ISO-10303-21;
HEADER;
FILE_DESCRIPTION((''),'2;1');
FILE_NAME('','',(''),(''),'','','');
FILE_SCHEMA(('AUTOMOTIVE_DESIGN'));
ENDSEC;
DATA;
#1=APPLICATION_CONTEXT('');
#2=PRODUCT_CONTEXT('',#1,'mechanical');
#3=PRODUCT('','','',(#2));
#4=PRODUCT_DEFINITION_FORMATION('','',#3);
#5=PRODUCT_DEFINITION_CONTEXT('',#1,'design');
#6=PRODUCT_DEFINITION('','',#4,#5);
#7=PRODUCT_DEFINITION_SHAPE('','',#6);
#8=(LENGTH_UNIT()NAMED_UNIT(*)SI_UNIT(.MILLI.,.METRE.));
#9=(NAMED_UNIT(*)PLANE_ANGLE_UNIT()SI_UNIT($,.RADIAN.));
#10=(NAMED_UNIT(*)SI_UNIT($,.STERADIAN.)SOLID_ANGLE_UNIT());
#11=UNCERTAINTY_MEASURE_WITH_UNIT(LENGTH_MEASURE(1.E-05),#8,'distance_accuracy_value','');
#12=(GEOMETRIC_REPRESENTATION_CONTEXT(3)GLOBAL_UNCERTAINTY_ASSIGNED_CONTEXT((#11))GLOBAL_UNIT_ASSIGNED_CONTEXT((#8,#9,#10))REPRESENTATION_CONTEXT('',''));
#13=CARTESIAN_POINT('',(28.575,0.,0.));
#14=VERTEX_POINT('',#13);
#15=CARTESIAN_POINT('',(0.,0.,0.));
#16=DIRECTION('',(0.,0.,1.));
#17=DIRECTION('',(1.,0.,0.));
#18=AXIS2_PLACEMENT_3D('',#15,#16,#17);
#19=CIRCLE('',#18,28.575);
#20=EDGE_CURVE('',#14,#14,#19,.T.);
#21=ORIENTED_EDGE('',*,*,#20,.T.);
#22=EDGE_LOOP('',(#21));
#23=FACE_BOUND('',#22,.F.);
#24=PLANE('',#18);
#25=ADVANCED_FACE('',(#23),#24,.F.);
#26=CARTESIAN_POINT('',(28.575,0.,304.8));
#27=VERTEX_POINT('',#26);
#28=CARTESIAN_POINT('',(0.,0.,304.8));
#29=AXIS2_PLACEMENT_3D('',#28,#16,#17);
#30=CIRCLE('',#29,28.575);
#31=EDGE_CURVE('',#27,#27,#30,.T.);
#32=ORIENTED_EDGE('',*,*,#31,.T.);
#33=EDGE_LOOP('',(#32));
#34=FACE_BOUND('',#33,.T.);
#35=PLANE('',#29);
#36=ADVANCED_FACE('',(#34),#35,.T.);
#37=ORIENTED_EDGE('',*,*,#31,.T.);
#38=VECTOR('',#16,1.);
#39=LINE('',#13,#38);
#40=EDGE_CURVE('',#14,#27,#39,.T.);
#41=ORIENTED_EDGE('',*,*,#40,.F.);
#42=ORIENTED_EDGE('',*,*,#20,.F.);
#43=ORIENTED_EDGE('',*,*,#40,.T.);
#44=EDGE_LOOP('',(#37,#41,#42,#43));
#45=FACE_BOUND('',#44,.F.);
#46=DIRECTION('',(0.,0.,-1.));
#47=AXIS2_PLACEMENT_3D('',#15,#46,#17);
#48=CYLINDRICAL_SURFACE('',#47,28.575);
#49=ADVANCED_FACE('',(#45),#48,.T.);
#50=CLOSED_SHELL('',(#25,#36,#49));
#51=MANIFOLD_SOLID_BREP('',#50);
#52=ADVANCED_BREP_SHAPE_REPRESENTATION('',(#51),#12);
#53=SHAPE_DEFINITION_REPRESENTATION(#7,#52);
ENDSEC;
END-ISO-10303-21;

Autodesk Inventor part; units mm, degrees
ref_plane "YZ Plane" through (0, 0, 0) normal (1, 0, 0) x (0, 1, 0)
ref_plane "XZ Plane" through (0, 0, 0) normal (0, 1, 0) x (-1, 0, 0)
ref_plane "XY Plane" through (0, 0, 0) normal (0, 0, 1) x (1, 0, 0)
sketch "Sketch1" plane through (0, 0, 0) normal (0, 0, 1) x (1, 0, 0)
  circle A0 centre (0, 0) radius 28.575
  dimension "d0" = 57.15
extrude "Extrusion1" add sketch "Sketch1" along normal blind 304.8
properties part number "driveshaft_f"
